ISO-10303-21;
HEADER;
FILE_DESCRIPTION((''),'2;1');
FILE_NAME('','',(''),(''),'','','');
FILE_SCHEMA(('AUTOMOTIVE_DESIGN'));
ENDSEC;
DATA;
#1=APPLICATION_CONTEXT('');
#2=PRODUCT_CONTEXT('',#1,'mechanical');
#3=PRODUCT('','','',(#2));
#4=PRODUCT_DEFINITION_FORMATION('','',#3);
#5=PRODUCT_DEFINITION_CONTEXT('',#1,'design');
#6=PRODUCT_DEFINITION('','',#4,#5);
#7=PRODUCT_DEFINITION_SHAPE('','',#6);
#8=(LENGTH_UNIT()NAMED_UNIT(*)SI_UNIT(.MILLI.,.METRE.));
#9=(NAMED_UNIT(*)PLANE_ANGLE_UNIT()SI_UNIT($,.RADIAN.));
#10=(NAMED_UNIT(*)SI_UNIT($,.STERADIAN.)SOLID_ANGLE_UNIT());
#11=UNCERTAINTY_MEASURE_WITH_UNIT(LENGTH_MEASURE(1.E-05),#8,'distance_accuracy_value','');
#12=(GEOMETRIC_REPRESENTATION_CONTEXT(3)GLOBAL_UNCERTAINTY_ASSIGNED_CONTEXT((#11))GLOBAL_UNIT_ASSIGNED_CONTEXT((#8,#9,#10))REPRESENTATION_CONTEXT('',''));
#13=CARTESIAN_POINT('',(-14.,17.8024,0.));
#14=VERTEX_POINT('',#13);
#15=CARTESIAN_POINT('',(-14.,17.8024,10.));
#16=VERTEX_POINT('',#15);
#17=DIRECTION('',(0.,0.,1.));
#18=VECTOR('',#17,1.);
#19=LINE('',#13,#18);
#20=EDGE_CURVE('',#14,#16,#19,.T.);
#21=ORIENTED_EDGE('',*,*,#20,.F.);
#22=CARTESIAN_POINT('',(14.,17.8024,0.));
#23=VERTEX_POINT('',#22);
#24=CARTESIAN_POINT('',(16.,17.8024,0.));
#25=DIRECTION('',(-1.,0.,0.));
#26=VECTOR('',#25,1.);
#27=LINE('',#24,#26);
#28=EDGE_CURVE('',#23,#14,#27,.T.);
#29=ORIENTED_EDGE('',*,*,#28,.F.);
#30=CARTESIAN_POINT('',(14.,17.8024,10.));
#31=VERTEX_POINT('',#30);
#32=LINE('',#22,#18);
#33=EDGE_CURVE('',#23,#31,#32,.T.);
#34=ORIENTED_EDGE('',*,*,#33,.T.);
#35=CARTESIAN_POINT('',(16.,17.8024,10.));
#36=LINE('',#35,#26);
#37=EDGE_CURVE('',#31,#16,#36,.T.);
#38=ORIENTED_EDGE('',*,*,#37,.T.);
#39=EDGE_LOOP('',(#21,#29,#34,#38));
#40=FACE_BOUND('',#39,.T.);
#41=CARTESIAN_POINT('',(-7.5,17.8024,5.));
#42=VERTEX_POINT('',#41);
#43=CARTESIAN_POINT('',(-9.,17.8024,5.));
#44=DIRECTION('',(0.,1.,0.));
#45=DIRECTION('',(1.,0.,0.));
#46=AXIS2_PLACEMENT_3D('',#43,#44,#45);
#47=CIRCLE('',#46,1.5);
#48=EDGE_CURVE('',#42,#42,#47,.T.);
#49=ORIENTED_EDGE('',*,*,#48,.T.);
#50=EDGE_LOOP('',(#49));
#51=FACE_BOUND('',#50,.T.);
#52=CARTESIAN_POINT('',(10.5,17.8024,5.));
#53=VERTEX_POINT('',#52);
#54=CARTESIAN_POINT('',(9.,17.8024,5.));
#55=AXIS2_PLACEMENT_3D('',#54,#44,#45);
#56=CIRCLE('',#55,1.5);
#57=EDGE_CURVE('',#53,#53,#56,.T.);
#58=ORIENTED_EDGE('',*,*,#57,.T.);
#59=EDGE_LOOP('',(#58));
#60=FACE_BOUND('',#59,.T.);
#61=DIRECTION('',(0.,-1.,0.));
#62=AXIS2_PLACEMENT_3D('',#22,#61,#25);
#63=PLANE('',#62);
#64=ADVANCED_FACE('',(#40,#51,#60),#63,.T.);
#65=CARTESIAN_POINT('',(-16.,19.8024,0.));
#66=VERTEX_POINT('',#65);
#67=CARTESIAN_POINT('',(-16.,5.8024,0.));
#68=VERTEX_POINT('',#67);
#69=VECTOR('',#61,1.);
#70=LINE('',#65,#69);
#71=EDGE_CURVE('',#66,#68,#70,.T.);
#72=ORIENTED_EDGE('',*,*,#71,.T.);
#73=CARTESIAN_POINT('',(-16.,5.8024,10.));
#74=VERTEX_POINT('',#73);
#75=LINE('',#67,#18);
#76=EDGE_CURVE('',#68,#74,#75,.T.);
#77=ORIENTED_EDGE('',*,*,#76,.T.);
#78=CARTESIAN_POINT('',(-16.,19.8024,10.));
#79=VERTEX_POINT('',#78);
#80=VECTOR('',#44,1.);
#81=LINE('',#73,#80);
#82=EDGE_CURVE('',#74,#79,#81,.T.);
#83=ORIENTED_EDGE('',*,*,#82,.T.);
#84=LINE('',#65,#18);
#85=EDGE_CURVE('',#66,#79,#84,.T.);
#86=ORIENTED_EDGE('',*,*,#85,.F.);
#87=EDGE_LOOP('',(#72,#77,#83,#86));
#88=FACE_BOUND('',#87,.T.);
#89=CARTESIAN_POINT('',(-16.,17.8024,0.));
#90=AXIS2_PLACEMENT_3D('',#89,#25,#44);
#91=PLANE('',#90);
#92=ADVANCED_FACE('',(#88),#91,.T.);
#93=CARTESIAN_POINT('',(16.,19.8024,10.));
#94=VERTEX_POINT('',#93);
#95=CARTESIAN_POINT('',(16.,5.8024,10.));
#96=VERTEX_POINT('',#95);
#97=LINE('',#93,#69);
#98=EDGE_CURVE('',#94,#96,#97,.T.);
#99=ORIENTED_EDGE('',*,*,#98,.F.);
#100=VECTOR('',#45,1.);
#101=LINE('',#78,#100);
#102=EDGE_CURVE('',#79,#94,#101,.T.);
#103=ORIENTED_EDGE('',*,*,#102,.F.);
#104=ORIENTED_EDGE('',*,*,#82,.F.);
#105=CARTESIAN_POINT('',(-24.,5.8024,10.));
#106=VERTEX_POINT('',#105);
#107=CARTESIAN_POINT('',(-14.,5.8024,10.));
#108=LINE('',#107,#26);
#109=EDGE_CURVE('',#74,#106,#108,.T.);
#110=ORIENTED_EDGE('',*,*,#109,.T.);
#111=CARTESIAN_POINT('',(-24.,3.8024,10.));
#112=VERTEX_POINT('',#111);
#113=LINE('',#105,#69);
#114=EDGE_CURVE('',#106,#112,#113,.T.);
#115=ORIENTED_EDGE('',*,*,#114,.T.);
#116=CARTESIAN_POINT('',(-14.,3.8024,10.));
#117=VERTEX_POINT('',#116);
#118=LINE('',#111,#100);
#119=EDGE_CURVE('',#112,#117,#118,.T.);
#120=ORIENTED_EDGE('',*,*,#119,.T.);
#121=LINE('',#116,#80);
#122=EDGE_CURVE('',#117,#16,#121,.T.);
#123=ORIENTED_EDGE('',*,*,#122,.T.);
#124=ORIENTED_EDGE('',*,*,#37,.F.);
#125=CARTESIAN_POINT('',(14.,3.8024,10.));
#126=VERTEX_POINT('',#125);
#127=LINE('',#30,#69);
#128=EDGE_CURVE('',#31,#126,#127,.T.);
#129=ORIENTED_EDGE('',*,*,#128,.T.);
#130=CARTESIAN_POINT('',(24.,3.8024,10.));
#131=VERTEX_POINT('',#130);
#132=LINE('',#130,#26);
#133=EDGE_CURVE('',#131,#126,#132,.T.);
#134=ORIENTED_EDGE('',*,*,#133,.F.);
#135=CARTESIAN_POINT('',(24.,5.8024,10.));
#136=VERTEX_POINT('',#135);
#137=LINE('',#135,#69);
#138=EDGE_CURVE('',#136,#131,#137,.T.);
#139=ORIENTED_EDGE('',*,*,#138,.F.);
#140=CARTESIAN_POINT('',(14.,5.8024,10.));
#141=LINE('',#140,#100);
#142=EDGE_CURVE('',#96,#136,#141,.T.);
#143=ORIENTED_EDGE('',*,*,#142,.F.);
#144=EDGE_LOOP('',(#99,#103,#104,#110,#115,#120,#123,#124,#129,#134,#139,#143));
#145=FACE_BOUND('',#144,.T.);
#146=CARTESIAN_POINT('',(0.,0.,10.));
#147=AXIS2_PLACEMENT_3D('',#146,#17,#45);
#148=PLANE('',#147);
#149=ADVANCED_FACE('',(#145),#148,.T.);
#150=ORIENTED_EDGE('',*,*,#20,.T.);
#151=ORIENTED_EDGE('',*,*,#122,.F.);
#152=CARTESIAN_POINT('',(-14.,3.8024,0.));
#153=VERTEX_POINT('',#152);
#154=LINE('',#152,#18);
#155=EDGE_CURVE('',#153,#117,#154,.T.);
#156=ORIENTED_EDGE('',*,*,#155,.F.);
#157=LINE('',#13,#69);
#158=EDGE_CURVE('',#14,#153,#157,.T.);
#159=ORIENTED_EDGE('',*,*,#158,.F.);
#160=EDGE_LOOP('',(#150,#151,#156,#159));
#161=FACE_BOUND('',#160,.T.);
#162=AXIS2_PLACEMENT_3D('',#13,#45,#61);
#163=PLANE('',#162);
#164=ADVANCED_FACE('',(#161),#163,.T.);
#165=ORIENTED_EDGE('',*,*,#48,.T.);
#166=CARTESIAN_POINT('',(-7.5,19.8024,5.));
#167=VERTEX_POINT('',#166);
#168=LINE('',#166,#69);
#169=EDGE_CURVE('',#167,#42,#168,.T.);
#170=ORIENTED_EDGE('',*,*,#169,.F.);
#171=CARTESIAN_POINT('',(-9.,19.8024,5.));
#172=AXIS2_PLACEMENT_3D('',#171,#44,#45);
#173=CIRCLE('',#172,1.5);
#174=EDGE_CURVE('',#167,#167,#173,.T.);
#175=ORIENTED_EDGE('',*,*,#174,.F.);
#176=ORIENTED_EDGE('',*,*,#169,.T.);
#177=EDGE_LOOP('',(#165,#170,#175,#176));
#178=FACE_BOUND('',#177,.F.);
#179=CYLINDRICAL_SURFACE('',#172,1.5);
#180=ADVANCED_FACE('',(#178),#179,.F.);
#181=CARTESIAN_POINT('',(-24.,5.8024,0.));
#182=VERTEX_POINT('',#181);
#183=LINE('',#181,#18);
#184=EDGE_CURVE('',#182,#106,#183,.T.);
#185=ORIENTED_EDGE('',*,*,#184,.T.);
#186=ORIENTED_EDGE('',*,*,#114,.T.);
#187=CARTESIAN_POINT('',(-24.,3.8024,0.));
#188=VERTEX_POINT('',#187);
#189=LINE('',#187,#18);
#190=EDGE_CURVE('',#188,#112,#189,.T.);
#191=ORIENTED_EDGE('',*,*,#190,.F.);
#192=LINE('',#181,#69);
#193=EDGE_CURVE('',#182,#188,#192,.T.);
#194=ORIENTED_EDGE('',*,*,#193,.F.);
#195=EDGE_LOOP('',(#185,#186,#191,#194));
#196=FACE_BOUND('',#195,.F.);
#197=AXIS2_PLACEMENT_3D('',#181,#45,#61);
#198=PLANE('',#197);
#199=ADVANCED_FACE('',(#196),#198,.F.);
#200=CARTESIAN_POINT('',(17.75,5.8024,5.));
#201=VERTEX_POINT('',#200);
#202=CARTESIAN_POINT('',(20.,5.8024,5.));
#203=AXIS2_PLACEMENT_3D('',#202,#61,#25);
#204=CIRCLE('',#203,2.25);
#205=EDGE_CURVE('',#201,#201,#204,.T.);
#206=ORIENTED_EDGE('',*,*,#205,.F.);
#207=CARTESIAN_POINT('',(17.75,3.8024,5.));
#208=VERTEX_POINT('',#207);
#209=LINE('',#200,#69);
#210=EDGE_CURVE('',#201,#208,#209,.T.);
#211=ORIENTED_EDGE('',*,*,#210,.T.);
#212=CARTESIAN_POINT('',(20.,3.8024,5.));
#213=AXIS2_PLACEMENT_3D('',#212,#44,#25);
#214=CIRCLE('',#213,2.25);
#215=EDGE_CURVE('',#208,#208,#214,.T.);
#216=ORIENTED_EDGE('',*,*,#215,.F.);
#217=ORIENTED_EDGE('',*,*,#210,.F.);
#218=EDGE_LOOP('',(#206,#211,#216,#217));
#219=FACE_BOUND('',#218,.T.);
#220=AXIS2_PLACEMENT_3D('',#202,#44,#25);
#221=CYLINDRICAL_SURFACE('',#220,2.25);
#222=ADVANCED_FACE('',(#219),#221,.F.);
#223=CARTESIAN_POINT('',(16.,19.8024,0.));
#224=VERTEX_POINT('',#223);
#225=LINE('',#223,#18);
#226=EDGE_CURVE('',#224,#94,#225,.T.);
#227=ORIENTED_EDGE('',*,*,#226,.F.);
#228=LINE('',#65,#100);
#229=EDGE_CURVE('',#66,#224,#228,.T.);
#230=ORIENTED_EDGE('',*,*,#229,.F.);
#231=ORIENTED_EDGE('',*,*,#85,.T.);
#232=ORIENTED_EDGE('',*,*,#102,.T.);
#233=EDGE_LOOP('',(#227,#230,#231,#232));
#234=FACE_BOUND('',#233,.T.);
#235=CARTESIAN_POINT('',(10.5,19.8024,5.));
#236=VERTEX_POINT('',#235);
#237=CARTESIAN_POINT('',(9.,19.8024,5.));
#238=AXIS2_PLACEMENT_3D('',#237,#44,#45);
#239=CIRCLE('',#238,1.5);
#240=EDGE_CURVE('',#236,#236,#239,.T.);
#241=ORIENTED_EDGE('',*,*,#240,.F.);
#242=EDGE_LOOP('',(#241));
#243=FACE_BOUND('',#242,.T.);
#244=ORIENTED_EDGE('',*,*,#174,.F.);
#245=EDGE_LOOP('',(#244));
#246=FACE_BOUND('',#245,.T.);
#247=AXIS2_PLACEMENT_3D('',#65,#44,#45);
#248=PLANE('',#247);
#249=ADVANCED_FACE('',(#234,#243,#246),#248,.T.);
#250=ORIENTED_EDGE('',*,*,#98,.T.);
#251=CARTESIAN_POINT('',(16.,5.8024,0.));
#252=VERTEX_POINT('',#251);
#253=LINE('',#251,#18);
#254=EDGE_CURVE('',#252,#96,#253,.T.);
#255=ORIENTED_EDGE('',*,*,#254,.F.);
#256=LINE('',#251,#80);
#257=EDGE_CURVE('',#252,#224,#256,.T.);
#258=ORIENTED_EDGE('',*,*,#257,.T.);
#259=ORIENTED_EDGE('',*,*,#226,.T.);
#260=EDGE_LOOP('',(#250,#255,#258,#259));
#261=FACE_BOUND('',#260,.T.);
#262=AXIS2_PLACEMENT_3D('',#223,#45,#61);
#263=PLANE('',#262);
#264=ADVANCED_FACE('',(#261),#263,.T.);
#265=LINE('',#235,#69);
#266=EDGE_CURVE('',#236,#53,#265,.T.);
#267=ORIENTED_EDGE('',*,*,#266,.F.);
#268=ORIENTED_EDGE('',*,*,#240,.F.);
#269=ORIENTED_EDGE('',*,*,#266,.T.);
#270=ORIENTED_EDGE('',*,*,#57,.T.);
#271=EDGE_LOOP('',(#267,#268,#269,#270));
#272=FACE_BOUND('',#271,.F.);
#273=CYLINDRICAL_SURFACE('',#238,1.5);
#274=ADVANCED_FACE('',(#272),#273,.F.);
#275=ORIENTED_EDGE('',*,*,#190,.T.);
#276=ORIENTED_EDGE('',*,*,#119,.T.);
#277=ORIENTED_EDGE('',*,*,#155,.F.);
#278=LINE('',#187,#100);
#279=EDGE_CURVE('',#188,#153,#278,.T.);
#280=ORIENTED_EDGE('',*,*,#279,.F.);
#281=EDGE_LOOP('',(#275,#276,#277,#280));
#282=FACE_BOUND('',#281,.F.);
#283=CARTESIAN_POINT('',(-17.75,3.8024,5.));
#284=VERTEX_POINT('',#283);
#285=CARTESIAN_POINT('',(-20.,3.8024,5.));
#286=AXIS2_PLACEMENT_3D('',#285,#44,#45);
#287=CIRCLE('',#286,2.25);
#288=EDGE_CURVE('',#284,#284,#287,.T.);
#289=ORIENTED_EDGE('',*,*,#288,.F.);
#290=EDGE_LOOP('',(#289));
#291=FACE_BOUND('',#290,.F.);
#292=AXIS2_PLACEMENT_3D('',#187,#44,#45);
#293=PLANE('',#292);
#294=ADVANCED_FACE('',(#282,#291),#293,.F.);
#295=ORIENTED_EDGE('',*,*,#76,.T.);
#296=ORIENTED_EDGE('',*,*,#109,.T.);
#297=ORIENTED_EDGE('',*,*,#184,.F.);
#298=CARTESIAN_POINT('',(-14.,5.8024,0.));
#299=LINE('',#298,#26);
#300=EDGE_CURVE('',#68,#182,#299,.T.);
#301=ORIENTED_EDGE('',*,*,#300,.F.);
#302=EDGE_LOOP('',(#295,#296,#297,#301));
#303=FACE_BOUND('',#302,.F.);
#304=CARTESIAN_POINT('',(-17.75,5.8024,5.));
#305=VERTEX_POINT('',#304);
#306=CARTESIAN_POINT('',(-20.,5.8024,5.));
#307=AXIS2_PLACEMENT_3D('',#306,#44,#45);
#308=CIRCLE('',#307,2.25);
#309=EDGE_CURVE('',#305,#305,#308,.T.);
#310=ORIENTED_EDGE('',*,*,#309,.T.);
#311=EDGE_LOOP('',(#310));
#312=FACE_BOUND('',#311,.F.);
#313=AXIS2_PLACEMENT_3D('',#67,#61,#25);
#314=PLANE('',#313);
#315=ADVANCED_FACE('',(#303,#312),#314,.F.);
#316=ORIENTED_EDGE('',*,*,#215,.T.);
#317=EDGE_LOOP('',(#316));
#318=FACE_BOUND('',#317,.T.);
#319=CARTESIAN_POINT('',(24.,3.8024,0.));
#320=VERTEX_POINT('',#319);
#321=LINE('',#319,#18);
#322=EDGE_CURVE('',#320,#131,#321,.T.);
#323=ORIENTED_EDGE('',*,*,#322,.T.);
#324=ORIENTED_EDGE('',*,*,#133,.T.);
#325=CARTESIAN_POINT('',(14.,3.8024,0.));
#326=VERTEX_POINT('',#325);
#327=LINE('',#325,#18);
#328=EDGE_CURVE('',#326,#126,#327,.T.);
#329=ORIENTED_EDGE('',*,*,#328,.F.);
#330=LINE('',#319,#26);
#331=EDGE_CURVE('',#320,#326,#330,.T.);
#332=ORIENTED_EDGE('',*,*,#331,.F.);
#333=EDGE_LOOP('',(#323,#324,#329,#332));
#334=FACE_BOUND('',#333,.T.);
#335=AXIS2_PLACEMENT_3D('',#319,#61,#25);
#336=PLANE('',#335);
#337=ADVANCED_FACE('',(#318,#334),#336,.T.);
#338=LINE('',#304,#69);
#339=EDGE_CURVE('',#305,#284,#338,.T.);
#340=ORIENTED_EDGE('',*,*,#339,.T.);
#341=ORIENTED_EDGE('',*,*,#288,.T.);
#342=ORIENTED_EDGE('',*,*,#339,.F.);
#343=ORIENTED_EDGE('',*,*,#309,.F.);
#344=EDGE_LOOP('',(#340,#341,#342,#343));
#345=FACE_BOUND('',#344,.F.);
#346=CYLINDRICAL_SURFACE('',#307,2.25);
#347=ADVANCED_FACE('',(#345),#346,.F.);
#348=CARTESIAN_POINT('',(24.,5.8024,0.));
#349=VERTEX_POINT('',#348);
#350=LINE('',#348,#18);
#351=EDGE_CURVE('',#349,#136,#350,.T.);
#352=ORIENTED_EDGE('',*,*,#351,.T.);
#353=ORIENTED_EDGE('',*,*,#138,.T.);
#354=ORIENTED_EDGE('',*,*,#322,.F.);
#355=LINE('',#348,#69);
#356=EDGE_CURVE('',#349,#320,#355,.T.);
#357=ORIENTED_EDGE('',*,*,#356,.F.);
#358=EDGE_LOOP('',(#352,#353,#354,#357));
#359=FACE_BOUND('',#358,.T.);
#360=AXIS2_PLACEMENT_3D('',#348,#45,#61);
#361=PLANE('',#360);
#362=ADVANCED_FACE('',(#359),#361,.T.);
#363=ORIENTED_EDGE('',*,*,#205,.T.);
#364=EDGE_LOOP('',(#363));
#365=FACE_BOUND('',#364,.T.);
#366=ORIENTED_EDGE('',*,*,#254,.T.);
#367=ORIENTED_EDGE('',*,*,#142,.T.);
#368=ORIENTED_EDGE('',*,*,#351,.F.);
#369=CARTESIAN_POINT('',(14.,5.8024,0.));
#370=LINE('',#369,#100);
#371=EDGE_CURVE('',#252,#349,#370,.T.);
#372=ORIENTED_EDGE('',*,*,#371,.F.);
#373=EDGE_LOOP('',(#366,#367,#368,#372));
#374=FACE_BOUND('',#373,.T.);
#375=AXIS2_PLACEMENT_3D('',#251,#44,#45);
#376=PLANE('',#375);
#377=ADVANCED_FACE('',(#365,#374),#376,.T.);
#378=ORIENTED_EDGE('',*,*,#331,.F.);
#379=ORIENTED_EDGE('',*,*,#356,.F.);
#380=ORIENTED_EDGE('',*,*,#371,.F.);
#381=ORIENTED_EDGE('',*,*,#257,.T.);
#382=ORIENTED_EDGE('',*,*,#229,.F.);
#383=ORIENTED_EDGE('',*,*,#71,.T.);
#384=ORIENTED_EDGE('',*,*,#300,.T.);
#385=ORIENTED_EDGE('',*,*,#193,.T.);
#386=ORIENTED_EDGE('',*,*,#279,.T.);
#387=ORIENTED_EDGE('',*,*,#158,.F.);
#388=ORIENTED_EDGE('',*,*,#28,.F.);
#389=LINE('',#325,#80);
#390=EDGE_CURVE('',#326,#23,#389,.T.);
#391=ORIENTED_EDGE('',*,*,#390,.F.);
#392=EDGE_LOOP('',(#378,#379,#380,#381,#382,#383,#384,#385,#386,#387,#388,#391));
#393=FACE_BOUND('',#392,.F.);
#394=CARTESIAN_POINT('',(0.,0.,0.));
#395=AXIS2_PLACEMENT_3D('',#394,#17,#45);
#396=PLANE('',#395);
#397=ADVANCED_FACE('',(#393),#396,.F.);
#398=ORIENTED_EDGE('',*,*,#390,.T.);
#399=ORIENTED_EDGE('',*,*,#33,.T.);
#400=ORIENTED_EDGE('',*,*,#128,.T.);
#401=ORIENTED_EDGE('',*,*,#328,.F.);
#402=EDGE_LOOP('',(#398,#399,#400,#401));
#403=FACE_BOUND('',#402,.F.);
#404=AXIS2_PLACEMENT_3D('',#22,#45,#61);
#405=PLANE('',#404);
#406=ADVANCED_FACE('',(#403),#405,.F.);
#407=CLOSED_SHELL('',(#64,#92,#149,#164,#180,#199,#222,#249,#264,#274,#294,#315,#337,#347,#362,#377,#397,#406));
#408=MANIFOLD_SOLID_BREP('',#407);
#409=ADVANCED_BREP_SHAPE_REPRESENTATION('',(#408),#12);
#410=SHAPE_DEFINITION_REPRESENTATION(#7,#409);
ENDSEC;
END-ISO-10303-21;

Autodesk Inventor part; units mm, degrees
ref_plane "YZ Plane" through (0, 0, 0) normal (1, 0, 0) x (0, 1, 0)
ref_plane "XZ Plane" through (0, 0, 0) normal (0, 1, 0) x (-1, 0, 0)
ref_plane "XY Plane" through (0, 0, 0) normal (0, 0, 1) x (1, 0, 0)
sketch "Sketch1" plane through (0, 0, 0) normal (0, 0, 1) x (1, 0, 0)
  line L0 (-16, 19.8024) -> (16, 19.8024)
  line L1 (16, 19.8024) -> (16, 17.8024)
  line L2 (16, 17.8024) -> (-16, 17.8024)
  line L3 (-16, 17.8024) -> (-16, 19.8024)
  line L4 (-16, 17.8024) -> (-14, 17.8024)
  line L5 (-14, 17.8024) -> (-14, 5.8024)
  line L6 (-14, 5.8024) -> (-16, 5.8024)
  line L7 (-16, 5.8024) -> (-16, 17.8024)
  line L8 (16, 17.8024) -> (14, 17.8024)
  line L9 (14, 17.8024) -> (14, 5.8024)
  line L10 (14, 5.8024) -> (16, 5.8024)
  line L11 (16, 5.8024) -> (16, 17.8024)
  line L12 (-14, 5.8024) -> (-24, 5.8024)
  line L13 (-24, 5.8024) -> (-24, 3.8024)
  line L14 (-24, 3.8024) -> (-14, 3.8024)
  line L15 (-14, 3.8024) -> (-14, 5.8024)
  line L16 (14, 5.8024) -> (24, 5.8024)
  line L17 (24, 5.8024) -> (24, 3.8024)
  line L18 (24, 3.8024) -> (14, 3.8024)
  line L19 (14, 3.8024) -> (14, 5.8024)
  point P0 (0, 0)
  point P1 (0, 19.8024)
  dimension "d0" = 32
  dimension "d1" = 2
  dimension "d2" = 2
  dimension "d3" = 12
  dimension "d4" = 2
  dimension "d5" = 12
  dimension "d6" = 10
  dimension "d7" = 2
  dimension "d8" = 10
  dimension "d9" = 2
extrude "Extrusion1" add sketch "Sketch1" along normal blind 10
sketch "Sketch2" plane through (-16, 19.8024, 0) normal (0, 1, 0) x (1, 0, 0)
  line L0 (32, 0) -> (0, 0) projected
  line L1 (0, 0) -> (0, -10) projected
  line L2 (32, -10) -> (0, -10) projected
  line L3 (32, 0) -> (32, -10) projected
  line L4 (0, 0) -> (0, -10) projected
  line L5 (32, 0) -> (32, -10) projected
  circle A0 centre (7, -5) radius 1.5
  circle A1 centre (25, -5) radius 1.5
  line L6 (2, -10) -> (30, -10) projected
  line L7 (16, -10) -> (16, 0) construction
  dimension "d12" = 3
  dimension "d13" = 3
  dimension "d14" = 9
  dimension "d15" = 9
extrude "Extrusion2" cut sketch "Sketch2" against normal blind 3 contours A0 | A1
sketch "Sketch3" plane through (-24, 5.8024, 0) normal (0, 1, 0) x (1, 0, 0)
  line L0 (8, -10) -> (8, 0) projected
  line L1 (8, 0) -> (0, 0) projected
  line L2 (0, 0) -> (0, -10) projected
  line L3 (8, -10) -> (0, -10) projected
  circle A0 centre (4, -5) radius 2.25
  point P0 (24, 0)
  dimension "d18" = 4.5
extrude "Extrusion3" cut sketch "Sketch3" against normal blind 3 contours A0
mirror "Mirror1" about plane through (0, 0, 0) normal (1, 0, 0) of "Extrusion3"
sketch "Sketch4" plane through (14, 3.8024, 0) normal (0, -1, 0) x (1, 0, 0)
  circle A0 centre (6, 5) radius 2.25 projected
  line L0 (0, 0) -> (10, 0) projected
  line L1 (10, 0) -> (10, 10) projected
  line L2 (0, 10) -> (10, 10) projected
  line L3 (0, 0) -> (0, 10) projected
  circle A1 centre (-34, 5) radius 2.25 projected
  line L4 (-38, 0) -> (-28, 0) projected
  line L5 (-28, 0) -> (-28, 10) projected
  line L6 (-38, 10) -> (-28, 10) projected
  line L7 (-38, 0) -> (-38, 10) projected
  point P0 (-14, 0)
  dimension "d21" = 40
properties part number "EncoderBracket"
